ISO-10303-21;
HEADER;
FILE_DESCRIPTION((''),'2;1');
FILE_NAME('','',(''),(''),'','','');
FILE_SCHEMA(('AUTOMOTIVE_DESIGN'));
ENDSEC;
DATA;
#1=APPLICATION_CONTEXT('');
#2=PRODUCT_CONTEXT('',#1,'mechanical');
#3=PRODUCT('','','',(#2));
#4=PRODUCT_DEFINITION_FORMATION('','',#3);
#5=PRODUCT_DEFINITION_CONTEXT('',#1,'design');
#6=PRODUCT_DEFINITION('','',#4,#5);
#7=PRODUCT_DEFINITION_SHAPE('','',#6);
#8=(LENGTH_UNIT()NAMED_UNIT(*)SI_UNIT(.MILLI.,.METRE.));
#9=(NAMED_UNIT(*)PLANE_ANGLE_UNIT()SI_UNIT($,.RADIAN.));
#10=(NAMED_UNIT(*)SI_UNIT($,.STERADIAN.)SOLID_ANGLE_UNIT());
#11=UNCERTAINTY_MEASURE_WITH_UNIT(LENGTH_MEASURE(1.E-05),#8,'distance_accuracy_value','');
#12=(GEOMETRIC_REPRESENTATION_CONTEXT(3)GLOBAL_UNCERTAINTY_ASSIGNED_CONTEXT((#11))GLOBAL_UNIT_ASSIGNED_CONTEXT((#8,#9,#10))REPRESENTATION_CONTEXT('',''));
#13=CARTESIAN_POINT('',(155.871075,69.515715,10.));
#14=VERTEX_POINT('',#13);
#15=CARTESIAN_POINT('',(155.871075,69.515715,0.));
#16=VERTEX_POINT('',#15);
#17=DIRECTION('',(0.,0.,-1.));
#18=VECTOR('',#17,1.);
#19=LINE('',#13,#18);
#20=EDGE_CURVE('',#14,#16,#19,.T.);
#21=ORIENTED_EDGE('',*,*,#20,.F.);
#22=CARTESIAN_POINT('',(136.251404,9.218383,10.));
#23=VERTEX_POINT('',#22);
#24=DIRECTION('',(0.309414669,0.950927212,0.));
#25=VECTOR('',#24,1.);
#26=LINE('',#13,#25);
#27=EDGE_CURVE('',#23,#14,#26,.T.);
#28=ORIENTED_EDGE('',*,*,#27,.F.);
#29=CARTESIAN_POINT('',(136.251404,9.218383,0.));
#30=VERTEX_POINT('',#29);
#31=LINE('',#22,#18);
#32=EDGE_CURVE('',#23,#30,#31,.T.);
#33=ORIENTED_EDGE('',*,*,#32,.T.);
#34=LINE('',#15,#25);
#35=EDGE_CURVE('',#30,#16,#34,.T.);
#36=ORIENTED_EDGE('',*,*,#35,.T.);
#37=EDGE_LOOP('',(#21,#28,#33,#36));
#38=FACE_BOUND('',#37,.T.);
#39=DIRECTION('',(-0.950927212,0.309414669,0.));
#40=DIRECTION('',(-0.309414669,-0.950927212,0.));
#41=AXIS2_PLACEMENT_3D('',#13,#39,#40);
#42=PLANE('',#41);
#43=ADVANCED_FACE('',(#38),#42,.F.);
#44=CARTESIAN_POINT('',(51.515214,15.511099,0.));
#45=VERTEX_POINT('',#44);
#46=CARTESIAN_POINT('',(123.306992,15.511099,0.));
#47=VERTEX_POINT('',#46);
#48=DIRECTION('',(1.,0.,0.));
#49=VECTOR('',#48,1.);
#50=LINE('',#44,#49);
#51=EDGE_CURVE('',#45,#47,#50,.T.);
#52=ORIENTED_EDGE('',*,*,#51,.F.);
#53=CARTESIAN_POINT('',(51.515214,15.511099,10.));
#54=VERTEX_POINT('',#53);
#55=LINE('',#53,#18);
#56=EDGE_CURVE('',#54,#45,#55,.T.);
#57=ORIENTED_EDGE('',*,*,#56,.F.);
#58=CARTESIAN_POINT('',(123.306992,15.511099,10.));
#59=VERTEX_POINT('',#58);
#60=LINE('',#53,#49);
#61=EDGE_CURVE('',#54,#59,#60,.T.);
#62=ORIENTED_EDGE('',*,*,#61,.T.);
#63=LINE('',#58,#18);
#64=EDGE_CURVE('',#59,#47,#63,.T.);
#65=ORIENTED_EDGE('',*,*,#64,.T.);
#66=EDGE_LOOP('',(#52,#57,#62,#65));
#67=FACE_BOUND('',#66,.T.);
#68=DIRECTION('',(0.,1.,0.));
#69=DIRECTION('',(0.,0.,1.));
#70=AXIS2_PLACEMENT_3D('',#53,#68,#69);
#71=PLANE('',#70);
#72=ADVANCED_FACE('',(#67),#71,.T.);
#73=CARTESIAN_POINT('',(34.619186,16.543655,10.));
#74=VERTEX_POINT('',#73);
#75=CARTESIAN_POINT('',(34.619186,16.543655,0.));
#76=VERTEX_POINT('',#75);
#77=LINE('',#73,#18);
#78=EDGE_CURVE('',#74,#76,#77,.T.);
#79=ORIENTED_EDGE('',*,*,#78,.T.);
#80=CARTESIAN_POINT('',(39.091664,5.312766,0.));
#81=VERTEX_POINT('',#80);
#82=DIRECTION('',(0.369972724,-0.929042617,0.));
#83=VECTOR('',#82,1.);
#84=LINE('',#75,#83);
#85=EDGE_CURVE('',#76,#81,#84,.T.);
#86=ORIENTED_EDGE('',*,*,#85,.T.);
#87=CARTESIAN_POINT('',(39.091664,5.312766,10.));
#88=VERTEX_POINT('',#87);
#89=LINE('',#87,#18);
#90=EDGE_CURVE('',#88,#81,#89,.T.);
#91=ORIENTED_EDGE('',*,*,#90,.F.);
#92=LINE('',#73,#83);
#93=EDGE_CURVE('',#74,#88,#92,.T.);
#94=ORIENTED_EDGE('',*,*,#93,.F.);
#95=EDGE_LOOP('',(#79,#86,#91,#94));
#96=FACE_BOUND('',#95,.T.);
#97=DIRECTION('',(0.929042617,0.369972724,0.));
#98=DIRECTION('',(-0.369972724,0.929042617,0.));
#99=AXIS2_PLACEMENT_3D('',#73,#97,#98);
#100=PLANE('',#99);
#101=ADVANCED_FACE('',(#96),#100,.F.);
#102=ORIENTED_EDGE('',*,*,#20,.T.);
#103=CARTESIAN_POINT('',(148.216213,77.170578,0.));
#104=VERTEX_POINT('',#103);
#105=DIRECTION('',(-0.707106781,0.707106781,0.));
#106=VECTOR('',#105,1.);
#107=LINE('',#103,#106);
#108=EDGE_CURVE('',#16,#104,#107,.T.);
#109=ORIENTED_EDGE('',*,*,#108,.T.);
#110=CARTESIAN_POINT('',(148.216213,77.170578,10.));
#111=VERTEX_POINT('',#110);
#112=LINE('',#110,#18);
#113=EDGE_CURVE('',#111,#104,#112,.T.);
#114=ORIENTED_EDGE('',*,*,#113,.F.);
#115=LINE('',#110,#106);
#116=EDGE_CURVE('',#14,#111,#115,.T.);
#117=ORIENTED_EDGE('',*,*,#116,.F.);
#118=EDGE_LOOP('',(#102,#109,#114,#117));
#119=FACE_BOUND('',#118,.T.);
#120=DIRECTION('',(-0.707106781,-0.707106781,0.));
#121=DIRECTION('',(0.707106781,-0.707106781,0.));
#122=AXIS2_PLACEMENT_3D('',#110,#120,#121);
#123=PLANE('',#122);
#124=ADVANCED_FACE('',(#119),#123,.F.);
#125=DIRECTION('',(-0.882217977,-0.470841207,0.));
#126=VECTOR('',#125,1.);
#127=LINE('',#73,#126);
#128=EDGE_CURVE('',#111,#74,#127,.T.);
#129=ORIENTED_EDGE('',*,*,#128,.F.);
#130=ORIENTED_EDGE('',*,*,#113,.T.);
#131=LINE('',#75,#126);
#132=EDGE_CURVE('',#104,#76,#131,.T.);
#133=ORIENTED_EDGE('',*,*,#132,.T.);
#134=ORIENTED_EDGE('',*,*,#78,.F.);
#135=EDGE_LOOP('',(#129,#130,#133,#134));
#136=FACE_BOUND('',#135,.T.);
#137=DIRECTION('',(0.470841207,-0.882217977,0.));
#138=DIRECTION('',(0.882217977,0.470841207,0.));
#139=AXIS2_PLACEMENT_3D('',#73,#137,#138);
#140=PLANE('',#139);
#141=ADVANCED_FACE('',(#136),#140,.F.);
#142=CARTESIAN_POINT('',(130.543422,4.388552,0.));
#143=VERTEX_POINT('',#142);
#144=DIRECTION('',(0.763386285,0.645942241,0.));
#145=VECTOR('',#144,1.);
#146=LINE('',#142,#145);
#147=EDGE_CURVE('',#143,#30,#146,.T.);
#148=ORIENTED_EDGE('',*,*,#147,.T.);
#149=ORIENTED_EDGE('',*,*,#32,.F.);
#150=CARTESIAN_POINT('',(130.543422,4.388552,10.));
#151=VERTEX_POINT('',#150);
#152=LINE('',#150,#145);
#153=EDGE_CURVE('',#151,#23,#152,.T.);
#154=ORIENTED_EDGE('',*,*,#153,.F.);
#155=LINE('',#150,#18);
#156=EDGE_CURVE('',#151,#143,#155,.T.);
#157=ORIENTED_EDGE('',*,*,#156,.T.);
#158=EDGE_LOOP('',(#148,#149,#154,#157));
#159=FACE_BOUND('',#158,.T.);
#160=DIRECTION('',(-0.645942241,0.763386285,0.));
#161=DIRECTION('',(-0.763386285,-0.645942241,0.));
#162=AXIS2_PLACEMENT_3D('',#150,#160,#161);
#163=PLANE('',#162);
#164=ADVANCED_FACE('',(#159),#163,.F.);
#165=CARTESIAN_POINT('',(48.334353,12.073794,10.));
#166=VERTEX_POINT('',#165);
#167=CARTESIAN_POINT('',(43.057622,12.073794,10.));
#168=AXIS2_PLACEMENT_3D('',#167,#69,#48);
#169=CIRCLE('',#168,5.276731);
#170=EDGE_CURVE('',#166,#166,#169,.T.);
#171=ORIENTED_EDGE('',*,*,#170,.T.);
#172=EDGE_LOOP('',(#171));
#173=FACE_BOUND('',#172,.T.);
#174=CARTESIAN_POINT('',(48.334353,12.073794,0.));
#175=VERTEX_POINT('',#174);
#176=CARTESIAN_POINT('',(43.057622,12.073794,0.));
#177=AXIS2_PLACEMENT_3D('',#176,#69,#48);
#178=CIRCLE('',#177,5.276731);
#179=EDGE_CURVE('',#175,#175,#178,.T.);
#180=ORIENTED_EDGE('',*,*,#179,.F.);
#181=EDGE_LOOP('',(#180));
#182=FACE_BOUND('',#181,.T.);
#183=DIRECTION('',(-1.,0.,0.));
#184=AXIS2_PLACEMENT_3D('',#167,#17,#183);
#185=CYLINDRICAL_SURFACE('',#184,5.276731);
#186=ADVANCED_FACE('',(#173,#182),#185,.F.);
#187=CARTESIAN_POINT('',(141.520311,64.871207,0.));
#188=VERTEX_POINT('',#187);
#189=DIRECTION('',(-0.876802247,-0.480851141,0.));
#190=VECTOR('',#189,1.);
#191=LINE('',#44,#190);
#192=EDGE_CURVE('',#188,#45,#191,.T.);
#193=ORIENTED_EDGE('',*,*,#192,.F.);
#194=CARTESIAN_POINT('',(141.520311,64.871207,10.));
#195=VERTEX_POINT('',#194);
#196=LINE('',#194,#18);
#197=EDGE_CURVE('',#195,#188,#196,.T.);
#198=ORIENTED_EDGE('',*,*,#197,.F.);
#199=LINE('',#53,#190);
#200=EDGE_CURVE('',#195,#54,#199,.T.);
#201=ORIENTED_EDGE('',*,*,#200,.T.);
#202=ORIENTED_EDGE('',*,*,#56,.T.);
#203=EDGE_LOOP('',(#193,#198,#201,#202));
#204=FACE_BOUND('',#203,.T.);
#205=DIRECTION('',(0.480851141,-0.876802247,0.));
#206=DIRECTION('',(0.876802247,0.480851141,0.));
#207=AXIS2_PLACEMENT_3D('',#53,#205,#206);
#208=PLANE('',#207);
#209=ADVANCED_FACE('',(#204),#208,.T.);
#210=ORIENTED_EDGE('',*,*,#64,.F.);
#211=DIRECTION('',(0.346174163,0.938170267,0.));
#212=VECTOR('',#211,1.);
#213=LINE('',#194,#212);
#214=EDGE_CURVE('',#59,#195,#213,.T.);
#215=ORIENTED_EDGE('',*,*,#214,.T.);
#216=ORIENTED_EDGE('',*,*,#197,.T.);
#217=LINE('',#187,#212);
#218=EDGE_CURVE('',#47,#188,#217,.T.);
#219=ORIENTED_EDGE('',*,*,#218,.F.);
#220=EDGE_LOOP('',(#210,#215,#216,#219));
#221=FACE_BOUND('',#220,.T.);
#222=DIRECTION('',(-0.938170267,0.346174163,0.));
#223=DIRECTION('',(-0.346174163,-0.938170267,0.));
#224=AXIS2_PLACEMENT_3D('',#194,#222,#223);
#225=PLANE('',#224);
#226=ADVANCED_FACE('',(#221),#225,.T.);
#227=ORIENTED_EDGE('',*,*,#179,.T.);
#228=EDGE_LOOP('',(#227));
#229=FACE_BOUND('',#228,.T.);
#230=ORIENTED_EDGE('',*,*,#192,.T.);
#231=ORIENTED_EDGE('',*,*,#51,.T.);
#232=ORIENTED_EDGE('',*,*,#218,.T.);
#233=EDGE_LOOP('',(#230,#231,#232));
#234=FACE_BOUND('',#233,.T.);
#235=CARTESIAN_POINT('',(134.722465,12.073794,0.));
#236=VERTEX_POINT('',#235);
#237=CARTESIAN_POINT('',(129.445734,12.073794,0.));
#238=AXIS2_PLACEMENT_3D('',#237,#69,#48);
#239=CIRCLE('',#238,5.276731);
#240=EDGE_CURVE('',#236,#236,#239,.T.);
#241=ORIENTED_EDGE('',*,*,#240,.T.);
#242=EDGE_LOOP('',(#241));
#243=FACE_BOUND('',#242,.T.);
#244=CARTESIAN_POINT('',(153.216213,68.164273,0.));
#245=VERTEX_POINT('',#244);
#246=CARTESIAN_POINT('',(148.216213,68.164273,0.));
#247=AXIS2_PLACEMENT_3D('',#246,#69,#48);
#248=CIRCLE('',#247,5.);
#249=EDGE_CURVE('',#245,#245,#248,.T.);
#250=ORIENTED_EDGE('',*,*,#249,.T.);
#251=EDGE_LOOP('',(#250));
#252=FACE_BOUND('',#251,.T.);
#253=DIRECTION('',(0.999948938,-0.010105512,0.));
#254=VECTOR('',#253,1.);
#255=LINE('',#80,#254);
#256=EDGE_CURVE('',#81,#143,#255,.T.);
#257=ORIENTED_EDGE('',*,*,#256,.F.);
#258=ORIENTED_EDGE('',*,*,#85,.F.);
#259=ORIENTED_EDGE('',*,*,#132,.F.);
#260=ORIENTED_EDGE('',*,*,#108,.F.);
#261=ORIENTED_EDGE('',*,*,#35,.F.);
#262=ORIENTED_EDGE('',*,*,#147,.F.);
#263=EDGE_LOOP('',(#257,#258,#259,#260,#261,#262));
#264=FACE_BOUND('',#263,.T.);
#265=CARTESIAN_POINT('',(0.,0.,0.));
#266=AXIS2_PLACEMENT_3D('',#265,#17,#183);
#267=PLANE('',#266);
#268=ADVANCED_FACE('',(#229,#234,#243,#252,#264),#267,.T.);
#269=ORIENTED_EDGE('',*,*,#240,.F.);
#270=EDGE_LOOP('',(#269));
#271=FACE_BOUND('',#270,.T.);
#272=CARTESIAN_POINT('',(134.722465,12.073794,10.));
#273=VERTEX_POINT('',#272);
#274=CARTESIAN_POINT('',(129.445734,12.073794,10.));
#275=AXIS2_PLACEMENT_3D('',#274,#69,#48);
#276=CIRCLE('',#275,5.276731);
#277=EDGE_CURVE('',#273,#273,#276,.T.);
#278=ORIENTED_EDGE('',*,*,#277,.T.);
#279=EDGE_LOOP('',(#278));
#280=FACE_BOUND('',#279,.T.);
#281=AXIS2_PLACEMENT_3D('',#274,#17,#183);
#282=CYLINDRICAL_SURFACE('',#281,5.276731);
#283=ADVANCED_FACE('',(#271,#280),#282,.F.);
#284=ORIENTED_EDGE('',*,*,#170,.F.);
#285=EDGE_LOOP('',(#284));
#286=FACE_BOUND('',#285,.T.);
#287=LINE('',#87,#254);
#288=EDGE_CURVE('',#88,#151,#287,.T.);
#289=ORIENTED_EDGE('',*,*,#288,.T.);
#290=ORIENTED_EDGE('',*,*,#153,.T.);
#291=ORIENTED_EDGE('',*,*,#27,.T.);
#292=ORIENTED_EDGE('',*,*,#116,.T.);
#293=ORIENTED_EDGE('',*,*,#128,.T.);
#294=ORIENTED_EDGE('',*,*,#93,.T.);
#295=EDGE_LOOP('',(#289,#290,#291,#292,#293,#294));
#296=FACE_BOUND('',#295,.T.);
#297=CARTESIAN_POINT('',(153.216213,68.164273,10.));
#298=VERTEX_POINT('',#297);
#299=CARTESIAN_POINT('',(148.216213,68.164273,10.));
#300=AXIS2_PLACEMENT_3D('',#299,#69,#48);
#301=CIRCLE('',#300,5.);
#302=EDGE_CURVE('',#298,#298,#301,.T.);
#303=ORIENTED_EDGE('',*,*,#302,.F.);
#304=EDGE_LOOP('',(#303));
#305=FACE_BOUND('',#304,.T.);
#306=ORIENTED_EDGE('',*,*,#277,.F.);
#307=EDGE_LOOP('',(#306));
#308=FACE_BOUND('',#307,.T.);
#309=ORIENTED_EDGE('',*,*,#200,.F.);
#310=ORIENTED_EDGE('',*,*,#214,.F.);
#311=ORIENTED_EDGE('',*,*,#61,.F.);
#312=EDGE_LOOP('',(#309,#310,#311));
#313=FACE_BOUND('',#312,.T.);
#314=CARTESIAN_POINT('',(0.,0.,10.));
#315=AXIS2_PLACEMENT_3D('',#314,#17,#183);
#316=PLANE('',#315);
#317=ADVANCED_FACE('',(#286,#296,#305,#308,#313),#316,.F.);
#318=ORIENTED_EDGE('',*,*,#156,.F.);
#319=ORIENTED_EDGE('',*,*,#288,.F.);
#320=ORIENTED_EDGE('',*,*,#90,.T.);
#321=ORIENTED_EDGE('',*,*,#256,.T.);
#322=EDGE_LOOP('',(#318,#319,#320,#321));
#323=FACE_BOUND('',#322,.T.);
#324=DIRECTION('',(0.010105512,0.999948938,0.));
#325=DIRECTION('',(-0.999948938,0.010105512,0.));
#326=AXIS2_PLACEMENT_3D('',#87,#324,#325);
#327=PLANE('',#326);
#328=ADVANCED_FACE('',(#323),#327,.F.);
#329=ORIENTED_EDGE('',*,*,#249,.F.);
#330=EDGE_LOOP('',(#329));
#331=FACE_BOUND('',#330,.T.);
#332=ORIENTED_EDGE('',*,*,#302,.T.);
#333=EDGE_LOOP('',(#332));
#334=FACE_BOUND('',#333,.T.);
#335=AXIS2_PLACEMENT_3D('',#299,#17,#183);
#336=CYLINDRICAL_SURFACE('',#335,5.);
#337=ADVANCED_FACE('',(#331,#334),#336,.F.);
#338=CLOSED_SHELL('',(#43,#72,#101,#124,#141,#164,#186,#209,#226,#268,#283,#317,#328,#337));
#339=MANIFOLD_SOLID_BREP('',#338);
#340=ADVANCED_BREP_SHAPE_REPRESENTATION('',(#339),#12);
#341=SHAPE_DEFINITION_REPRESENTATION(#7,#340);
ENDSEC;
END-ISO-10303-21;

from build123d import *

# Parameters (mm, degrees)
SKETCH_1_R      = 5.276731009
SKETCH_1_R_2    = 5
EXTRUDE_1_DEPTH = 10


with BuildPart() as part:
    # 草图1 → 凸台-拉伸1 (new body)
    with BuildSketch(Plane.XY):
        Polygon((39.091663842, 5.312766173), (130.54342243, 4.388552153), (136.25140436, 9.218383017), (155.871075353, 69.515715172), (148.216212638, 77.170577887), (34.619185934, 16.543655141), align=None)
        with Locations((43.057622456, 12.073793968)):
            Circle(SKETCH_1_R, mode=Mode.SUBTRACT)
        with Locations((129.445733597, 12.073793968)):
            Circle(SKETCH_1_R, mode=Mode.SUBTRACT)
        with Locations((148.216212638, 68.164273338)):
            Circle(SKETCH_1_R_2, mode=Mode.SUBTRACT)
        Polygon((51.515213585, 15.511098763), (141.520310758, 64.87120684), (123.306992034, 15.511098763), align=None, mode=Mode.SUBTRACT)
    extrude(amount=EXTRUDE_1_DEPTH)


solid = part.part
